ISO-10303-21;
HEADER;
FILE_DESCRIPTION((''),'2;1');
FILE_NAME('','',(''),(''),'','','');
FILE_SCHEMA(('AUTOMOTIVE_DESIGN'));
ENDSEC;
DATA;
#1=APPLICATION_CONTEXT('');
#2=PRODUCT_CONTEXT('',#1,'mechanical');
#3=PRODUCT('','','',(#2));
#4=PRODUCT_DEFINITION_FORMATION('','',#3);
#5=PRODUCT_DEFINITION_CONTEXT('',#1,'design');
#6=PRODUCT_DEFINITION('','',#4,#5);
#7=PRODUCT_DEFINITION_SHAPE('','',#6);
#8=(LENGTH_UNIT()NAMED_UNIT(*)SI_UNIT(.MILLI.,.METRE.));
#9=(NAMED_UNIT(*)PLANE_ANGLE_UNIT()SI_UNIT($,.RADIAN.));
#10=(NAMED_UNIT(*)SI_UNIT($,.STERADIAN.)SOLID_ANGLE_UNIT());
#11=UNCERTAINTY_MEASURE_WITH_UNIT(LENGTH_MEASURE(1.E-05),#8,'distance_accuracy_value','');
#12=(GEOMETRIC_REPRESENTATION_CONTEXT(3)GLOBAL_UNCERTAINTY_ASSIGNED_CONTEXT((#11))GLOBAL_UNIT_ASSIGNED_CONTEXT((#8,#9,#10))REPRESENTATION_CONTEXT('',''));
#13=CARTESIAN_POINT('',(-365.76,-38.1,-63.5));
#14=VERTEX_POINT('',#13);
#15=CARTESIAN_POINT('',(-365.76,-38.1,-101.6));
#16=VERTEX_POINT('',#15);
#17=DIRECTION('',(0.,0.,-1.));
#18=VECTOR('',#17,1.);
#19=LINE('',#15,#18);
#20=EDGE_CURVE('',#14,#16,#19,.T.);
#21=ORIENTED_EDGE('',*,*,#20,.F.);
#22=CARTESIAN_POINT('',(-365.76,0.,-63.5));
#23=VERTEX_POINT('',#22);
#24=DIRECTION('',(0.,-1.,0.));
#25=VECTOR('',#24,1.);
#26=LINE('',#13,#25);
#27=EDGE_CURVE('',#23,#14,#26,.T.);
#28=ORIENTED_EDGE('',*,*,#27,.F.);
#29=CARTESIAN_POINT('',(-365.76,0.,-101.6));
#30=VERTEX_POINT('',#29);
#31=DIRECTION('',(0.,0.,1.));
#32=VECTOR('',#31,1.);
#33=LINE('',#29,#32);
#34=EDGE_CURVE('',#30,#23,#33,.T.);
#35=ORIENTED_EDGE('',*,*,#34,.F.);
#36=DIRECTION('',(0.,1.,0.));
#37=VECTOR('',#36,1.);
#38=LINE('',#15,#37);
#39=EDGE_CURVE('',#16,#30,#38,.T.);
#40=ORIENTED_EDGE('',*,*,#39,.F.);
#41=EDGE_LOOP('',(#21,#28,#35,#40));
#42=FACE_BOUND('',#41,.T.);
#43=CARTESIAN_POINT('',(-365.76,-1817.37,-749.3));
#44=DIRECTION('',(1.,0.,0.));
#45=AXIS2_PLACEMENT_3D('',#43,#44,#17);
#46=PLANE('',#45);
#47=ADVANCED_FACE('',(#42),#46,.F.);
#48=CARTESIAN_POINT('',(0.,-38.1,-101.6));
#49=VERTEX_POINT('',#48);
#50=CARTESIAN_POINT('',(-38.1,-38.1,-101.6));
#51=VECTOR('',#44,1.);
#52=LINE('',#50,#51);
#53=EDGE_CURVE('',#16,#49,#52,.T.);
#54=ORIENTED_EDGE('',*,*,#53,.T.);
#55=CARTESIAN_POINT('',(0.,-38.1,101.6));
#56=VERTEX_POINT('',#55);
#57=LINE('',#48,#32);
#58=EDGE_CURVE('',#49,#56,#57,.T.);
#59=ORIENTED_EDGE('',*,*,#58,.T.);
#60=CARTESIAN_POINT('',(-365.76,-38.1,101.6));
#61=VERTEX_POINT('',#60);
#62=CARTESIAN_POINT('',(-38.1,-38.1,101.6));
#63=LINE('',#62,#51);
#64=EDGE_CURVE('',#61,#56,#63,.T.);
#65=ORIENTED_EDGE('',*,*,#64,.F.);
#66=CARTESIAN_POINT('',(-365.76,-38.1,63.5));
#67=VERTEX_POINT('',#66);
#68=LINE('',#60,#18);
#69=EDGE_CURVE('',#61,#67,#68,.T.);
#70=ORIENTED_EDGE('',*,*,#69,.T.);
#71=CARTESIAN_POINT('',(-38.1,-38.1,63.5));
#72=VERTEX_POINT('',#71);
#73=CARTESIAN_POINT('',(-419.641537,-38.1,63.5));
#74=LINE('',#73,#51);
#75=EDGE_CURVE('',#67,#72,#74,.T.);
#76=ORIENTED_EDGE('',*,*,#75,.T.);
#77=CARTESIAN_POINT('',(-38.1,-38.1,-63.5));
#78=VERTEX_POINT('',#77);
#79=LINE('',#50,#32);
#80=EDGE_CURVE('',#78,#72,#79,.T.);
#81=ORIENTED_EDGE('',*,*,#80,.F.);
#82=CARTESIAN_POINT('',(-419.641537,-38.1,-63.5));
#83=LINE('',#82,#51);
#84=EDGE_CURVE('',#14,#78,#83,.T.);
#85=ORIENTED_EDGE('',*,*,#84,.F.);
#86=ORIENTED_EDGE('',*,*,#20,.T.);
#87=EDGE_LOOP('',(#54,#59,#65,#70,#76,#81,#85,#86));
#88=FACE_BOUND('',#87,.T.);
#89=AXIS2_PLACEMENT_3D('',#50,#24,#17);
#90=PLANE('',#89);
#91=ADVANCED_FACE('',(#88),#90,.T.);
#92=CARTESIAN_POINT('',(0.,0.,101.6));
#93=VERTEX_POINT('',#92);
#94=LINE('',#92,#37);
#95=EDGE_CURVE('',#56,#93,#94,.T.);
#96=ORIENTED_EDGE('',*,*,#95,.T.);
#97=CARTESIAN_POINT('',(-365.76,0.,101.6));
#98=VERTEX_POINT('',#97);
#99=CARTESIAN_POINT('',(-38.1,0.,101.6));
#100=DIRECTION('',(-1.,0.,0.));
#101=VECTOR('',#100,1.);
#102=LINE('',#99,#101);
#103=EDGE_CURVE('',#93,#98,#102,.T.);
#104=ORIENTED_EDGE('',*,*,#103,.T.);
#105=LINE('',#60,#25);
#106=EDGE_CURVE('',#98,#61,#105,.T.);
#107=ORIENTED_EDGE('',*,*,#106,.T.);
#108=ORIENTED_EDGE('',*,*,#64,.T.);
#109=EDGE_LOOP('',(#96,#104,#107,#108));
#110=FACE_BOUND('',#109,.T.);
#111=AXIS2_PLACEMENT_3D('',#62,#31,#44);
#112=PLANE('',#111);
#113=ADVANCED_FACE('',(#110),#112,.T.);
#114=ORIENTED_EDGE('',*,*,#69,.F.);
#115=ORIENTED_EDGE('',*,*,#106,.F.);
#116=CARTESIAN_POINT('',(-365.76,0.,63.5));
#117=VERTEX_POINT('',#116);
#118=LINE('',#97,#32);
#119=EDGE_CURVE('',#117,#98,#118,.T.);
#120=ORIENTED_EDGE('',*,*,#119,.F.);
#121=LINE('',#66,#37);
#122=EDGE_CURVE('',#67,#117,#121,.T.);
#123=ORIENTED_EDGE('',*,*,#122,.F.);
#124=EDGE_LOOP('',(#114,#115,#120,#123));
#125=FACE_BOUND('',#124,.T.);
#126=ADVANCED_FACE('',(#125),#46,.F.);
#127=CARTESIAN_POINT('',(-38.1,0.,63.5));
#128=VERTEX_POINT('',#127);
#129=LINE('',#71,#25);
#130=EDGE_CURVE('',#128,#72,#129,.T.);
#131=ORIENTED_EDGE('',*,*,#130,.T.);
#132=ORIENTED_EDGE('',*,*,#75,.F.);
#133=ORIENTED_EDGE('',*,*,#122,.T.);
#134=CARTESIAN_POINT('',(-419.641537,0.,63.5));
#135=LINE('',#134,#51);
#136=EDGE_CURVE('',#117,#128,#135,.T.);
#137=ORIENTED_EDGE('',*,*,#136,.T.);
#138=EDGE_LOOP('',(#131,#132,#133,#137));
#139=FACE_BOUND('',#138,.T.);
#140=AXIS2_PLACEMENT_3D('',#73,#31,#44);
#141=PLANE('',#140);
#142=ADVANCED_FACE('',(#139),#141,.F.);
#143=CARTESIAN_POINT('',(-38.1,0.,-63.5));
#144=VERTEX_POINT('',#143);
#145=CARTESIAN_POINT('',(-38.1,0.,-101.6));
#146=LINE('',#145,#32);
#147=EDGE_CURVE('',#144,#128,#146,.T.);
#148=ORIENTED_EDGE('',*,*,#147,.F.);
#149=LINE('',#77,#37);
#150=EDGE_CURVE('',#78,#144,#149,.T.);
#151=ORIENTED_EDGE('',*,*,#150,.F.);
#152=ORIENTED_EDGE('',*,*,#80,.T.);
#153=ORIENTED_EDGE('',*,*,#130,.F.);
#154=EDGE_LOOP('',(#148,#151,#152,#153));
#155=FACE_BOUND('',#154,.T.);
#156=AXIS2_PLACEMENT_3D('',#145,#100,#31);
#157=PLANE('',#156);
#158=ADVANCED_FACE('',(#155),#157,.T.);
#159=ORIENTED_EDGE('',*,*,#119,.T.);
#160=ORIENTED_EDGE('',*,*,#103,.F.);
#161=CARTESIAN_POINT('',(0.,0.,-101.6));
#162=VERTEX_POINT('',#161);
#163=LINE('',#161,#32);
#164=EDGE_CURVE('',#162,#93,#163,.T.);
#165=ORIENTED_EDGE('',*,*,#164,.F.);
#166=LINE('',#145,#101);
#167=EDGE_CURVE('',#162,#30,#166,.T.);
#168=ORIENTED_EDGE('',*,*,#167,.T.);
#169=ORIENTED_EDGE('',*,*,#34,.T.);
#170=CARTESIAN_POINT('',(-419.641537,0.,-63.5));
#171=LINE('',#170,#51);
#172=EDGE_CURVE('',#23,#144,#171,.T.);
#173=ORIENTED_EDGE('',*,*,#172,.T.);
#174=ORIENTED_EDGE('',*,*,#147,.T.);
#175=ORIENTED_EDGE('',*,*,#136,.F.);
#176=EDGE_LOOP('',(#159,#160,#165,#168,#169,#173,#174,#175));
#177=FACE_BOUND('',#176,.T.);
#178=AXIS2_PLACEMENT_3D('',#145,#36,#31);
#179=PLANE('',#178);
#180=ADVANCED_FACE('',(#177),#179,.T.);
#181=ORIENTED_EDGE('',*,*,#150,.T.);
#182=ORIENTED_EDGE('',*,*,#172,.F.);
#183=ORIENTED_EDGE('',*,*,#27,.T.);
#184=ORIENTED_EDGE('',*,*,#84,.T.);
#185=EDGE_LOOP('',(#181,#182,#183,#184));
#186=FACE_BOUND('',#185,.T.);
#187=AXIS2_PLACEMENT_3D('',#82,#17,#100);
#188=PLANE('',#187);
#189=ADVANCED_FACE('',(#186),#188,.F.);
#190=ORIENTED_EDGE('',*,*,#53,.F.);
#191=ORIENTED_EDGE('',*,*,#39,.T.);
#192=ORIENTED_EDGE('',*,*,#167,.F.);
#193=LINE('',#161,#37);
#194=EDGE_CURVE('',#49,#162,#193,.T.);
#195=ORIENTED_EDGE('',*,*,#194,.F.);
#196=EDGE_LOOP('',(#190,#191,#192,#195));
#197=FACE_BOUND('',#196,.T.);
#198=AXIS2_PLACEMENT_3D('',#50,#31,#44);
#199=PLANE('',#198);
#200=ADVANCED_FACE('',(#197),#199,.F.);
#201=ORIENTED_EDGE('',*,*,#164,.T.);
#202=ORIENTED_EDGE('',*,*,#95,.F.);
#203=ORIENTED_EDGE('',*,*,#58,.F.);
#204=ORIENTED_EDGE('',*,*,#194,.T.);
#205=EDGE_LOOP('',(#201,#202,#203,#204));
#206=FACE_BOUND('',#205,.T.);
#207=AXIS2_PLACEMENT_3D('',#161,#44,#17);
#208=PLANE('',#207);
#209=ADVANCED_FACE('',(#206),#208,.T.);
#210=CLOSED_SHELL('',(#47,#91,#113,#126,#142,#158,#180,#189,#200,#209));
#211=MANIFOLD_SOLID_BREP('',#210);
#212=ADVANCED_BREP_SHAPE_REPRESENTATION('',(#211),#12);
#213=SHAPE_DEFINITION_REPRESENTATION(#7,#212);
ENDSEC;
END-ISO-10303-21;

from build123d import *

# Parameters (mm, degrees)
BOSS_EXTRUDE1_DEPTH      = 101.6
BOSS_EXTRUDE1_DEPTH_BACK = 101.6
SKETCH1_W                = 38.1
SKETCH1_H                = 38.1
SKETCH2_W                = 38.1
SKETCH2_H                = 38.1
BOSS_EXTRUDE2_DEPTH      = 327.66000001


with BuildPart() as part:
    # Sketch1 → Boss-Extrude1 (new, two sides: drawn at the far end of the back side and taken through both)
    with BuildSketch(Plane.XY.offset(-BOSS_EXTRUDE1_DEPTH_BACK)):
        with Locations((-19.05, -19.05)):
            Rectangle(SKETCH1_W, SKETCH1_H)
    extrude(amount=BOSS_EXTRUDE1_DEPTH + BOSS_EXTRUDE1_DEPTH_BACK)

    # Sketch2 → Boss-Extrude2 (add)
    with BuildSketch(Plane.ZY.offset(38.1)):
        with Locations((-82.55, -19.05)):
            Rectangle(SKETCH2_W, SKETCH2_H)
        with Locations((82.55, -19.05)):
            Rectangle(SKETCH2_W, SKETCH2_H)
    extrude(amount=BOSS_EXTRUDE2_DEPTH)


solid = part.part
